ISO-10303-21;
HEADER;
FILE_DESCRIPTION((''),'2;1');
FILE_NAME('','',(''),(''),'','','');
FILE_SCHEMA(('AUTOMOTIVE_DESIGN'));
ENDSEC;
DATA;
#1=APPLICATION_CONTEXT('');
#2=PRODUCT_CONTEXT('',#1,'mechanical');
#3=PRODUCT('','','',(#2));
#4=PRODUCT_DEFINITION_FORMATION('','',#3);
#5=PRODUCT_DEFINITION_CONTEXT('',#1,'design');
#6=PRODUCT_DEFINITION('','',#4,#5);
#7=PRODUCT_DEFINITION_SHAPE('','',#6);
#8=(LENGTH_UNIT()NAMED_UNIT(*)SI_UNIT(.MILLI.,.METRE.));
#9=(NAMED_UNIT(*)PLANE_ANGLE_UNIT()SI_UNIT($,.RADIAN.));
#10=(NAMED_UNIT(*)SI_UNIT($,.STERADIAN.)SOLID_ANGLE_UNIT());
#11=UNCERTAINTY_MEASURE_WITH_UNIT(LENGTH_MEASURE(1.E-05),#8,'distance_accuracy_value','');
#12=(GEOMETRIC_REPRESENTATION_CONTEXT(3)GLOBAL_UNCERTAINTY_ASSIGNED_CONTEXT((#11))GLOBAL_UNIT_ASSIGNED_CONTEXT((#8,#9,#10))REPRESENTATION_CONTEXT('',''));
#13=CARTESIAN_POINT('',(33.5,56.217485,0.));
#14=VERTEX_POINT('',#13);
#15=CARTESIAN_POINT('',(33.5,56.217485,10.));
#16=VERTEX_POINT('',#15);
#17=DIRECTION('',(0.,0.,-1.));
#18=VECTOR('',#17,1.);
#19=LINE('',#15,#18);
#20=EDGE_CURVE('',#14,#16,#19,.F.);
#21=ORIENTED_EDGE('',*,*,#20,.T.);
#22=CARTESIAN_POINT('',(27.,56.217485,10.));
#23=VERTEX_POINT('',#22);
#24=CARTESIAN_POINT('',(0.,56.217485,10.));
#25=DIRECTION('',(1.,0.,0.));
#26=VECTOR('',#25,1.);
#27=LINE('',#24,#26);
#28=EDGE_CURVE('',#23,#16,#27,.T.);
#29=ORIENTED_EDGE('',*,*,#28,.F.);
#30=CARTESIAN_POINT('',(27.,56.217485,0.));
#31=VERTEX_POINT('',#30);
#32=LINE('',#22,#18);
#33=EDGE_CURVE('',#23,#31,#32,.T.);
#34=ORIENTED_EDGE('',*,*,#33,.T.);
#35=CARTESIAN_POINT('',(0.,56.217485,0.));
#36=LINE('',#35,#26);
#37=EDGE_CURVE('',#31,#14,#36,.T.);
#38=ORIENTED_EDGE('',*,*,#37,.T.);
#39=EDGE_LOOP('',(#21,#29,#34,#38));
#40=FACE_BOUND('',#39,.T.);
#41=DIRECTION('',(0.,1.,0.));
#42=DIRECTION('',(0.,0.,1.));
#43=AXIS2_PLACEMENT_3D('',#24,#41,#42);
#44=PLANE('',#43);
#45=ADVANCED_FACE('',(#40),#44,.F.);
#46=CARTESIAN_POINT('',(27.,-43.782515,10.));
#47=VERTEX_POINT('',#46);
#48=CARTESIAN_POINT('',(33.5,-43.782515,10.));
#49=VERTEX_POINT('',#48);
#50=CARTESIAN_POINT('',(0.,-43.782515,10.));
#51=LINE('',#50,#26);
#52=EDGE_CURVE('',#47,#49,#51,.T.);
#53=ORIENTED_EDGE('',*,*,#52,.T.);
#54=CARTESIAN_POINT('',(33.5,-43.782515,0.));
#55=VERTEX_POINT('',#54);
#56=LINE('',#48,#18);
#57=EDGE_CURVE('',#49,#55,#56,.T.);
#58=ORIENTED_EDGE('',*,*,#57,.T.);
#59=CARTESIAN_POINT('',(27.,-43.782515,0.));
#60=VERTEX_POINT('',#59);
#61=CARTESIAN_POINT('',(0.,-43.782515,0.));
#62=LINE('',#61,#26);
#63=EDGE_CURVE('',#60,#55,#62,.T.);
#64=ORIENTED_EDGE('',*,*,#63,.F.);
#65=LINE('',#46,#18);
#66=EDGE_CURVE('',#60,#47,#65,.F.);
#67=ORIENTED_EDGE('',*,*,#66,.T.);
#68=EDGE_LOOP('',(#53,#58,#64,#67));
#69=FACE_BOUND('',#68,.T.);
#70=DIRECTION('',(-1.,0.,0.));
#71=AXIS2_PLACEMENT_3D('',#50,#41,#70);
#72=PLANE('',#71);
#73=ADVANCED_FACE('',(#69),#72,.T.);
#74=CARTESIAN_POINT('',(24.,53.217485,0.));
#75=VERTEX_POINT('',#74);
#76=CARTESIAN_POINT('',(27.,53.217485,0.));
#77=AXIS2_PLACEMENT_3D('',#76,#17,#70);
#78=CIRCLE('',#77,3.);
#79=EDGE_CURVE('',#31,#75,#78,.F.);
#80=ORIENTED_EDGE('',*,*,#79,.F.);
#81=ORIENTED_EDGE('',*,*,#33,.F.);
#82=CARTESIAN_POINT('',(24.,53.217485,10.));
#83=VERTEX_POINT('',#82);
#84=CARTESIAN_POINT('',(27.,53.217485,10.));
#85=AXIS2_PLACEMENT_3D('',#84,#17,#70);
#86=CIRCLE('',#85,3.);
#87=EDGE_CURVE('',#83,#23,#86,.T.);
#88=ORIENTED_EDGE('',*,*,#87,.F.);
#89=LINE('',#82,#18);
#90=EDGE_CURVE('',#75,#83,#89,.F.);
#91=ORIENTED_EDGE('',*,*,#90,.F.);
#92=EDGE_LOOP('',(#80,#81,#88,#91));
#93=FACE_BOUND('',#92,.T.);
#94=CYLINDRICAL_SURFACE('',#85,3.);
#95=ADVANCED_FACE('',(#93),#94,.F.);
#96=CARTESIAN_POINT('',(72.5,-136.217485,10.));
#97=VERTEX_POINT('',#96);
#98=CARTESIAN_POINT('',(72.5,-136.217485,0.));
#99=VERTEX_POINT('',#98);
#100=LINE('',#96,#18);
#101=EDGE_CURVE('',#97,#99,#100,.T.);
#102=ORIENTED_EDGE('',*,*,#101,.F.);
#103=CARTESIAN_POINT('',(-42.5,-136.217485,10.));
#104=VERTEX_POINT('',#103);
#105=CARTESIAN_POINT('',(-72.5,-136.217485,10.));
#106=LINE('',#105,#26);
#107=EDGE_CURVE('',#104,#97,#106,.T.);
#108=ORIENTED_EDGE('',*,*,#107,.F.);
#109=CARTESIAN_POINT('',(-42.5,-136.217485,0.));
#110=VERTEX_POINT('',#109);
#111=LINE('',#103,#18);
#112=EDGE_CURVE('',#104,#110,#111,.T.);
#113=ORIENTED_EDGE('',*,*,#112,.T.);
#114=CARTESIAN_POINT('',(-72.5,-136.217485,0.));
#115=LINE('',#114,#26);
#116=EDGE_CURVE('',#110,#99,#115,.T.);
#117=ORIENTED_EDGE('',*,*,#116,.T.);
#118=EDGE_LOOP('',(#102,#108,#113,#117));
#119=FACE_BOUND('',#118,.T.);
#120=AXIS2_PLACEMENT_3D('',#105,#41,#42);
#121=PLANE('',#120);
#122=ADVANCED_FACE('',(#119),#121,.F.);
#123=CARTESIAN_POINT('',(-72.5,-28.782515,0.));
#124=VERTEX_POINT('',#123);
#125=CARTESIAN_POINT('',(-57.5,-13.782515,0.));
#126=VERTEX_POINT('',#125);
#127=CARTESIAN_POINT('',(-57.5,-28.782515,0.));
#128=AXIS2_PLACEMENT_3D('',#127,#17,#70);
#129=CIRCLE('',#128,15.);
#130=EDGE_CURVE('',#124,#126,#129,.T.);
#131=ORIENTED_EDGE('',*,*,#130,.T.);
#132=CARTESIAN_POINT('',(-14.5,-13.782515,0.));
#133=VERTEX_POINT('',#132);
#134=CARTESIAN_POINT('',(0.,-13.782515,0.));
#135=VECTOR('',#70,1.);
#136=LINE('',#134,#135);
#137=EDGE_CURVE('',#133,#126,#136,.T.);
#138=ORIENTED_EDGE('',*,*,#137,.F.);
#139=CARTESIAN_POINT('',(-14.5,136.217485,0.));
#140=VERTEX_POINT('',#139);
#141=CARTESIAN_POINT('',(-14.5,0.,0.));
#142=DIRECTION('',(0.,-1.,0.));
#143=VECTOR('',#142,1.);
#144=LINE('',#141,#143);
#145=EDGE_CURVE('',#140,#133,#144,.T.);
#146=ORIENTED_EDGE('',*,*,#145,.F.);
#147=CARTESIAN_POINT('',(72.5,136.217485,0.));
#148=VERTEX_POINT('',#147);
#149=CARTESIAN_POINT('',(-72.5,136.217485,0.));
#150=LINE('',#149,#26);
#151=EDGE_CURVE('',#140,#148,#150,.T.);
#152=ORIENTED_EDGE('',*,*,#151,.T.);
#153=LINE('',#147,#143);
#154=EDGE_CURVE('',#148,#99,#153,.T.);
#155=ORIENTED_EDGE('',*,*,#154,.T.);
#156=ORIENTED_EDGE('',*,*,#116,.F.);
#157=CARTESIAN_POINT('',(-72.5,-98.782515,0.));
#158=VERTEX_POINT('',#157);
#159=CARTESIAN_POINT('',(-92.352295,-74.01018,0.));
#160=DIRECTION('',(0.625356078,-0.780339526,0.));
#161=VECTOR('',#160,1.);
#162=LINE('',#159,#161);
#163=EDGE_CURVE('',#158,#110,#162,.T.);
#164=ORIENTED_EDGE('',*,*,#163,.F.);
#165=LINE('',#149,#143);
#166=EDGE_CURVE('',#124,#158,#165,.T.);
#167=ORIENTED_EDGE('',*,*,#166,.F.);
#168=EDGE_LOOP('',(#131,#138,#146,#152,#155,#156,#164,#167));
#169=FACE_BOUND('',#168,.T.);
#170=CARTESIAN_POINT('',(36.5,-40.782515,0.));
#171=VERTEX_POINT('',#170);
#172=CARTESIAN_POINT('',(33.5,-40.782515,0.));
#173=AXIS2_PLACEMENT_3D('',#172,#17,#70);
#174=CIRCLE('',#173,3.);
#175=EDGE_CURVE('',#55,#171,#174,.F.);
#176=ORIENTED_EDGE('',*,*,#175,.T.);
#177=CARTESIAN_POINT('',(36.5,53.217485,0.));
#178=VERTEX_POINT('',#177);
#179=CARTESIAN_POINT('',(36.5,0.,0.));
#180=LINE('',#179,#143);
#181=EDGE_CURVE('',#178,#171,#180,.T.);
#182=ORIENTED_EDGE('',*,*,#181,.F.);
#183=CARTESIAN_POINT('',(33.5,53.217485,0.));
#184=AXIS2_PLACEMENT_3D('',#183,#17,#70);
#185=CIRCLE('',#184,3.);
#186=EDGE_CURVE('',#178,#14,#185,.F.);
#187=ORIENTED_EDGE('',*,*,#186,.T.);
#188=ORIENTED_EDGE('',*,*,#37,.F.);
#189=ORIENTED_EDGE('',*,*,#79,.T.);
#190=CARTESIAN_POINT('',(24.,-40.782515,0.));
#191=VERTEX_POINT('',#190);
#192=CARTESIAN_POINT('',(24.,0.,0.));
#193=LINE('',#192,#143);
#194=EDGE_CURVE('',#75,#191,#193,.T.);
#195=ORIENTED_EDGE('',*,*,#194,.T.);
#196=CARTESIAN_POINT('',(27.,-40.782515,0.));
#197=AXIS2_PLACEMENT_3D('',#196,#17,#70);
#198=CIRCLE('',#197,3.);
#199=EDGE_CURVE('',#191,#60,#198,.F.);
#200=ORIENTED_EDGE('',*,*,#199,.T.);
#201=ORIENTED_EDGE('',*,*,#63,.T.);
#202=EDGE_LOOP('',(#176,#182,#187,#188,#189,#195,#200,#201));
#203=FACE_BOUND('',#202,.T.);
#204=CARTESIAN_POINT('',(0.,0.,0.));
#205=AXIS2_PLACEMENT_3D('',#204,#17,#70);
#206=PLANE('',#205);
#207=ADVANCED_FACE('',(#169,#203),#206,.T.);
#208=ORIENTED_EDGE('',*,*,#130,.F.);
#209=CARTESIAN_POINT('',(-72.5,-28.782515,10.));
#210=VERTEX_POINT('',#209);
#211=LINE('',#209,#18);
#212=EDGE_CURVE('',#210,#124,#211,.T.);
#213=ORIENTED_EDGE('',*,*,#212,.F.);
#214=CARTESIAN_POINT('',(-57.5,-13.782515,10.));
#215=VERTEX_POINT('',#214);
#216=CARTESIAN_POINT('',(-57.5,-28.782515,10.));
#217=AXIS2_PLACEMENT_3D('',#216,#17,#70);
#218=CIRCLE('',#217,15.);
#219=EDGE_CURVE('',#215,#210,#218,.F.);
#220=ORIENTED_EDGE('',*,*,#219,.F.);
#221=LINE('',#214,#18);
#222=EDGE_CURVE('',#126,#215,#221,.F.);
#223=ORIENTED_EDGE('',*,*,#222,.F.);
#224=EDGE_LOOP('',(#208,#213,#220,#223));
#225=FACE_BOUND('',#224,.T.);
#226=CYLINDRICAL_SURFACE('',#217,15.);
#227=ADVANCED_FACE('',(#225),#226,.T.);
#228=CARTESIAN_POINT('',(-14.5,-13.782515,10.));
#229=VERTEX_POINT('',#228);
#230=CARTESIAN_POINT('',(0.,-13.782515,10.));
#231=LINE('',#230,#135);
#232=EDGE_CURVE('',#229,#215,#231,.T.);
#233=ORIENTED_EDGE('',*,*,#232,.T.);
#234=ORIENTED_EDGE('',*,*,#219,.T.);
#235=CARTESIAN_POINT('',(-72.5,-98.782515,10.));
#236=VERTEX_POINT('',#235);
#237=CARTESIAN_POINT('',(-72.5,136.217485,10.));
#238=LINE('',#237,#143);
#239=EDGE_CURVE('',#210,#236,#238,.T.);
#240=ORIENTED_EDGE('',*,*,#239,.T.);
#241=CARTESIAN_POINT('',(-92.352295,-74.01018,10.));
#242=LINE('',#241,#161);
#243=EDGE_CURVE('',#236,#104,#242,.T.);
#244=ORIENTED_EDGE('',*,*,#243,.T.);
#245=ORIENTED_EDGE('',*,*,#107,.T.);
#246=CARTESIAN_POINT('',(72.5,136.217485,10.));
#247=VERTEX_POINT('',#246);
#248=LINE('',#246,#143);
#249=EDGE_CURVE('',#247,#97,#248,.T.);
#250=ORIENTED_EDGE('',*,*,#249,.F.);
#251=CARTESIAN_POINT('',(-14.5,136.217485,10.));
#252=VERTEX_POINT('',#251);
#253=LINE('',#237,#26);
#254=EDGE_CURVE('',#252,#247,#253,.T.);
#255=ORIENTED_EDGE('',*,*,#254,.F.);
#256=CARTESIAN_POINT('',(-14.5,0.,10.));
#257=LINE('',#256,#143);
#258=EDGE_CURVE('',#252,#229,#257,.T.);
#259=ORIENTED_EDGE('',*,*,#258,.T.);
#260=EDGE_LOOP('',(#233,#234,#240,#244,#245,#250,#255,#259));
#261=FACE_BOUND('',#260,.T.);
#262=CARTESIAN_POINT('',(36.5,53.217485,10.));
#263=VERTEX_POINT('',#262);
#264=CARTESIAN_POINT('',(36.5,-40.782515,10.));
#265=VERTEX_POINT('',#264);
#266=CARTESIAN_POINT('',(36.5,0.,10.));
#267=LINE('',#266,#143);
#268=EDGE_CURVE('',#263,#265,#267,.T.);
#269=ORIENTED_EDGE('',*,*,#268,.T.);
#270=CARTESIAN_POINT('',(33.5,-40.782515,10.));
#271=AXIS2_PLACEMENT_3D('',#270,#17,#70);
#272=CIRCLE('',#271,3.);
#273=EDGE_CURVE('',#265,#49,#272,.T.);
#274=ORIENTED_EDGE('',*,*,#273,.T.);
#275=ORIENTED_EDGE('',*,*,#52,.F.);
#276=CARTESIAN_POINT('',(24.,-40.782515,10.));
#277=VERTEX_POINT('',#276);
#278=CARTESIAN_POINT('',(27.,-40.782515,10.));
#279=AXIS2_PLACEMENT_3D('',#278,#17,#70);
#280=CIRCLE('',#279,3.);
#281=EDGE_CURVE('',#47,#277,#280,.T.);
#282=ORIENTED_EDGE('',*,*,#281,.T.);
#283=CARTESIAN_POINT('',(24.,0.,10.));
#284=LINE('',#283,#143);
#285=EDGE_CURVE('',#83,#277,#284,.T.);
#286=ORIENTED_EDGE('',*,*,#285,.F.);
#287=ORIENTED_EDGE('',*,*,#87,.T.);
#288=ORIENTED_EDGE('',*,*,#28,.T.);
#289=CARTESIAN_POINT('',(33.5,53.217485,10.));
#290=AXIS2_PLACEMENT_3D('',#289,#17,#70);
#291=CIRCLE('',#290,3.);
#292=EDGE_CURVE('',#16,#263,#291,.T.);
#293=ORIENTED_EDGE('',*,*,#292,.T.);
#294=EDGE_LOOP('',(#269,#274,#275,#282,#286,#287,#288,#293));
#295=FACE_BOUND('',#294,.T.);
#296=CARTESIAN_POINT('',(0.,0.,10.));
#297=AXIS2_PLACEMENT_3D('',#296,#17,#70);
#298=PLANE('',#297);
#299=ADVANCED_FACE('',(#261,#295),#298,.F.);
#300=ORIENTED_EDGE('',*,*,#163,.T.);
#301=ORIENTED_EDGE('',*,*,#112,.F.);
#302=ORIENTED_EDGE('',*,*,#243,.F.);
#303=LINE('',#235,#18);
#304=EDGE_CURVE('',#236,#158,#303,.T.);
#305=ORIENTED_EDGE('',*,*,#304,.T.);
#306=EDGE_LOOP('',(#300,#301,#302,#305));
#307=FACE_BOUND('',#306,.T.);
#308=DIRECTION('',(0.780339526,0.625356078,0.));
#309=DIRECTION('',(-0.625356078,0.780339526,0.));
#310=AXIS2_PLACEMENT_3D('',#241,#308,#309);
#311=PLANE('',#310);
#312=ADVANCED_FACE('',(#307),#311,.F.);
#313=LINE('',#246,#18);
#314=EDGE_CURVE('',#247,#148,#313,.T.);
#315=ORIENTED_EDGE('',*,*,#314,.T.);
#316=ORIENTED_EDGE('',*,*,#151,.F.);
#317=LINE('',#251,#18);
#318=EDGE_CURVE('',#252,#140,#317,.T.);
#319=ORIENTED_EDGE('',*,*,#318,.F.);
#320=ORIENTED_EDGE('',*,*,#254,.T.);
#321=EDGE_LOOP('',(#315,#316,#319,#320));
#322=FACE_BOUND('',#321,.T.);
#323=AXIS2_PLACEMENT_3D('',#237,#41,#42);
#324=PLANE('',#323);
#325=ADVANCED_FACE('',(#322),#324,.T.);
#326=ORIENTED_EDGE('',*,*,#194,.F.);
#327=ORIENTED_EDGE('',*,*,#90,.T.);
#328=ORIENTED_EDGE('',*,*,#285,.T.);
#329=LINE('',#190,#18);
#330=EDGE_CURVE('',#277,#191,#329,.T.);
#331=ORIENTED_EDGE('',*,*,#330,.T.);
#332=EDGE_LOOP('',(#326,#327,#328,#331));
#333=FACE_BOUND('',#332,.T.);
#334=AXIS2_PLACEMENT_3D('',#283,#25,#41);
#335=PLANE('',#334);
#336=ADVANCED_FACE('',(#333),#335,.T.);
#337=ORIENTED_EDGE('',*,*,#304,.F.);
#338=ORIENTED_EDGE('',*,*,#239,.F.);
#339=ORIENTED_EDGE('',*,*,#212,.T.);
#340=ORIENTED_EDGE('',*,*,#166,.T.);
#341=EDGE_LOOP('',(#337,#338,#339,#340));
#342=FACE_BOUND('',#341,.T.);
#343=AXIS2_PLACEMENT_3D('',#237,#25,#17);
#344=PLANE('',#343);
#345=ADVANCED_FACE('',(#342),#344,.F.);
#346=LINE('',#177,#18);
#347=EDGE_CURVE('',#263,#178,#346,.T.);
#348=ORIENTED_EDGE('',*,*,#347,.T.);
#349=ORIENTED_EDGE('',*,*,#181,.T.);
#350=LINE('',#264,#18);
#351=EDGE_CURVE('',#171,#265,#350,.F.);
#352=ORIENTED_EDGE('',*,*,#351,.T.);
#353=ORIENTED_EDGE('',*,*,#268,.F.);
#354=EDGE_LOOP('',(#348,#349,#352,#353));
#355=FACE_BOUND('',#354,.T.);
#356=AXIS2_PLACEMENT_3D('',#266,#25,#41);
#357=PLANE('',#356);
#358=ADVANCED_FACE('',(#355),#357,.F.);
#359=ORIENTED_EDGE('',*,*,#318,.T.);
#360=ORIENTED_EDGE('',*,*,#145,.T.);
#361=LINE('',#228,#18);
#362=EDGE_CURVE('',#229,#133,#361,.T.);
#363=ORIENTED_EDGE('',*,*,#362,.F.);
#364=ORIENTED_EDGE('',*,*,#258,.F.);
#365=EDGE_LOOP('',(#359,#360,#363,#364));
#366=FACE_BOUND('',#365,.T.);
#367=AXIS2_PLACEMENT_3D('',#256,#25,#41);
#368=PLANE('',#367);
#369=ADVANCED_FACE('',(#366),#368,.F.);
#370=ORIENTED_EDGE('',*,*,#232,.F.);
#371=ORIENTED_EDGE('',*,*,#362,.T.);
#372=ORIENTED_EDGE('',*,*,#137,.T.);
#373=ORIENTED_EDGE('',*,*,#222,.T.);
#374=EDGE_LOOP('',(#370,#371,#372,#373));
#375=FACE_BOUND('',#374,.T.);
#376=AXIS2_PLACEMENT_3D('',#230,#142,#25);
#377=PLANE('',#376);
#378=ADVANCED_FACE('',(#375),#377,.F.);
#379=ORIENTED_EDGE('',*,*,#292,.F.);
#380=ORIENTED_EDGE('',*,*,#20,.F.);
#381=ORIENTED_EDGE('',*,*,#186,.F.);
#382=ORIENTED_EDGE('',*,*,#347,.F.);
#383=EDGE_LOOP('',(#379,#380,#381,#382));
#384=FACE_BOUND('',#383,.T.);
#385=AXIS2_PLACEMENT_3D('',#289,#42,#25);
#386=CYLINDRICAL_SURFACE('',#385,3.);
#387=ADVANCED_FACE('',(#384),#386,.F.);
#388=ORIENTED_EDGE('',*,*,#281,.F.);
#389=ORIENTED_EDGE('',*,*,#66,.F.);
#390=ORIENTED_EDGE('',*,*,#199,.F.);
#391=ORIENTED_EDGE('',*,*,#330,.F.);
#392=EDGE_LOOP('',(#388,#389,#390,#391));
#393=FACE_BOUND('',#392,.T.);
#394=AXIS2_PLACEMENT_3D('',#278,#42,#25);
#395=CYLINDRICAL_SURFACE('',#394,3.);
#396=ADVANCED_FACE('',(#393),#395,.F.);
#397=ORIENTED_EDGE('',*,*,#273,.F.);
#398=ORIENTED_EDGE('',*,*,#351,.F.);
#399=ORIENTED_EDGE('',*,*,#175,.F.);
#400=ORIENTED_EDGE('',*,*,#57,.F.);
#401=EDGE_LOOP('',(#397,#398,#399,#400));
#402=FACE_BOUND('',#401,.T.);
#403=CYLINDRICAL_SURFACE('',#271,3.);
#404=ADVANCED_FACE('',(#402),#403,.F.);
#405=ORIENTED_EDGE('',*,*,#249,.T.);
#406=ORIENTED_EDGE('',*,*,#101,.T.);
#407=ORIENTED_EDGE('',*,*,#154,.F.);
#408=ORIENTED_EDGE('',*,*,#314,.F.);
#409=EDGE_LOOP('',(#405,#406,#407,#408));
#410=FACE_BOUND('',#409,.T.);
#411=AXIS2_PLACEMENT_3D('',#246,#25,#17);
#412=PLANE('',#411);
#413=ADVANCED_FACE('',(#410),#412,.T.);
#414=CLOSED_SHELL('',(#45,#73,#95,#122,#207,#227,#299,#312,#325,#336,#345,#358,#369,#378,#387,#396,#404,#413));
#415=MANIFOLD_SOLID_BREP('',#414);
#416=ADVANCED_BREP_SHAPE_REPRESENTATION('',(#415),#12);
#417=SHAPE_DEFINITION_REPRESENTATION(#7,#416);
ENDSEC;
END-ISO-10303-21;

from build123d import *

# Parameters (mm, degrees)
SKETCH_1_W          = 145
SKETCH_1_H          = 272.434969596
EXTRUDE_1_DEPTH     = 10
SKETCH_2_W          = 58
SKETCH_2_H          = 150
SKETCH_2_W_2        = 12.5
SKETCH_2_H_2        = 100
CUT_EXTRUDE_1_DEPTH = 10
FILLET_1_R          = 15
FILLET_2_R          = 3


with BuildPart() as part:
    # 草图1 → 凸台-拉伸1 (new body)
    with BuildSketch(Plane.XY):
        Rectangle(SKETCH_1_W, SKETCH_1_H)
    extrude(amount=EXTRUDE_1_DEPTH)

    # 草图2 → 切除-拉伸1 (cut)
    with BuildSketch(Plane.XY):
        with Locations((-43.5, 61.217484798)):
            Rectangle(SKETCH_2_W, SKETCH_2_H)
        Polygon((-72.5, -98.782515202), (-72.5, -136.217484798), (-42.5, -136.217484798), align=None)
        with Locations((30.25, 6.217484798)):
            Rectangle(SKETCH_2_W_2, SKETCH_2_H_2)
    extrude(amount=CUT_EXTRUDE_1_DEPTH, mode=Mode.SUBTRACT)

    # 圆角1
    fillet_1_edges = [part.edges().sort_by_distance(p)[0] for p in [
        (-72.5, -13.782515202, 5),
    ]]
    fillet(fillet_1_edges, radius=FILLET_1_R)

    # 圆角2
    fillet_2_edges = [part.edges().sort_by_distance(p)[0] for p in [
        (36.5, -43.782515202, 5),
        (36.5, 56.217484798, 5),
        (24, 56.217484798, 5),
        (24, -43.782515202, 5),
    ]]
    fillet(fillet_2_edges, radius=FILLET_2_R)


solid = part.part
